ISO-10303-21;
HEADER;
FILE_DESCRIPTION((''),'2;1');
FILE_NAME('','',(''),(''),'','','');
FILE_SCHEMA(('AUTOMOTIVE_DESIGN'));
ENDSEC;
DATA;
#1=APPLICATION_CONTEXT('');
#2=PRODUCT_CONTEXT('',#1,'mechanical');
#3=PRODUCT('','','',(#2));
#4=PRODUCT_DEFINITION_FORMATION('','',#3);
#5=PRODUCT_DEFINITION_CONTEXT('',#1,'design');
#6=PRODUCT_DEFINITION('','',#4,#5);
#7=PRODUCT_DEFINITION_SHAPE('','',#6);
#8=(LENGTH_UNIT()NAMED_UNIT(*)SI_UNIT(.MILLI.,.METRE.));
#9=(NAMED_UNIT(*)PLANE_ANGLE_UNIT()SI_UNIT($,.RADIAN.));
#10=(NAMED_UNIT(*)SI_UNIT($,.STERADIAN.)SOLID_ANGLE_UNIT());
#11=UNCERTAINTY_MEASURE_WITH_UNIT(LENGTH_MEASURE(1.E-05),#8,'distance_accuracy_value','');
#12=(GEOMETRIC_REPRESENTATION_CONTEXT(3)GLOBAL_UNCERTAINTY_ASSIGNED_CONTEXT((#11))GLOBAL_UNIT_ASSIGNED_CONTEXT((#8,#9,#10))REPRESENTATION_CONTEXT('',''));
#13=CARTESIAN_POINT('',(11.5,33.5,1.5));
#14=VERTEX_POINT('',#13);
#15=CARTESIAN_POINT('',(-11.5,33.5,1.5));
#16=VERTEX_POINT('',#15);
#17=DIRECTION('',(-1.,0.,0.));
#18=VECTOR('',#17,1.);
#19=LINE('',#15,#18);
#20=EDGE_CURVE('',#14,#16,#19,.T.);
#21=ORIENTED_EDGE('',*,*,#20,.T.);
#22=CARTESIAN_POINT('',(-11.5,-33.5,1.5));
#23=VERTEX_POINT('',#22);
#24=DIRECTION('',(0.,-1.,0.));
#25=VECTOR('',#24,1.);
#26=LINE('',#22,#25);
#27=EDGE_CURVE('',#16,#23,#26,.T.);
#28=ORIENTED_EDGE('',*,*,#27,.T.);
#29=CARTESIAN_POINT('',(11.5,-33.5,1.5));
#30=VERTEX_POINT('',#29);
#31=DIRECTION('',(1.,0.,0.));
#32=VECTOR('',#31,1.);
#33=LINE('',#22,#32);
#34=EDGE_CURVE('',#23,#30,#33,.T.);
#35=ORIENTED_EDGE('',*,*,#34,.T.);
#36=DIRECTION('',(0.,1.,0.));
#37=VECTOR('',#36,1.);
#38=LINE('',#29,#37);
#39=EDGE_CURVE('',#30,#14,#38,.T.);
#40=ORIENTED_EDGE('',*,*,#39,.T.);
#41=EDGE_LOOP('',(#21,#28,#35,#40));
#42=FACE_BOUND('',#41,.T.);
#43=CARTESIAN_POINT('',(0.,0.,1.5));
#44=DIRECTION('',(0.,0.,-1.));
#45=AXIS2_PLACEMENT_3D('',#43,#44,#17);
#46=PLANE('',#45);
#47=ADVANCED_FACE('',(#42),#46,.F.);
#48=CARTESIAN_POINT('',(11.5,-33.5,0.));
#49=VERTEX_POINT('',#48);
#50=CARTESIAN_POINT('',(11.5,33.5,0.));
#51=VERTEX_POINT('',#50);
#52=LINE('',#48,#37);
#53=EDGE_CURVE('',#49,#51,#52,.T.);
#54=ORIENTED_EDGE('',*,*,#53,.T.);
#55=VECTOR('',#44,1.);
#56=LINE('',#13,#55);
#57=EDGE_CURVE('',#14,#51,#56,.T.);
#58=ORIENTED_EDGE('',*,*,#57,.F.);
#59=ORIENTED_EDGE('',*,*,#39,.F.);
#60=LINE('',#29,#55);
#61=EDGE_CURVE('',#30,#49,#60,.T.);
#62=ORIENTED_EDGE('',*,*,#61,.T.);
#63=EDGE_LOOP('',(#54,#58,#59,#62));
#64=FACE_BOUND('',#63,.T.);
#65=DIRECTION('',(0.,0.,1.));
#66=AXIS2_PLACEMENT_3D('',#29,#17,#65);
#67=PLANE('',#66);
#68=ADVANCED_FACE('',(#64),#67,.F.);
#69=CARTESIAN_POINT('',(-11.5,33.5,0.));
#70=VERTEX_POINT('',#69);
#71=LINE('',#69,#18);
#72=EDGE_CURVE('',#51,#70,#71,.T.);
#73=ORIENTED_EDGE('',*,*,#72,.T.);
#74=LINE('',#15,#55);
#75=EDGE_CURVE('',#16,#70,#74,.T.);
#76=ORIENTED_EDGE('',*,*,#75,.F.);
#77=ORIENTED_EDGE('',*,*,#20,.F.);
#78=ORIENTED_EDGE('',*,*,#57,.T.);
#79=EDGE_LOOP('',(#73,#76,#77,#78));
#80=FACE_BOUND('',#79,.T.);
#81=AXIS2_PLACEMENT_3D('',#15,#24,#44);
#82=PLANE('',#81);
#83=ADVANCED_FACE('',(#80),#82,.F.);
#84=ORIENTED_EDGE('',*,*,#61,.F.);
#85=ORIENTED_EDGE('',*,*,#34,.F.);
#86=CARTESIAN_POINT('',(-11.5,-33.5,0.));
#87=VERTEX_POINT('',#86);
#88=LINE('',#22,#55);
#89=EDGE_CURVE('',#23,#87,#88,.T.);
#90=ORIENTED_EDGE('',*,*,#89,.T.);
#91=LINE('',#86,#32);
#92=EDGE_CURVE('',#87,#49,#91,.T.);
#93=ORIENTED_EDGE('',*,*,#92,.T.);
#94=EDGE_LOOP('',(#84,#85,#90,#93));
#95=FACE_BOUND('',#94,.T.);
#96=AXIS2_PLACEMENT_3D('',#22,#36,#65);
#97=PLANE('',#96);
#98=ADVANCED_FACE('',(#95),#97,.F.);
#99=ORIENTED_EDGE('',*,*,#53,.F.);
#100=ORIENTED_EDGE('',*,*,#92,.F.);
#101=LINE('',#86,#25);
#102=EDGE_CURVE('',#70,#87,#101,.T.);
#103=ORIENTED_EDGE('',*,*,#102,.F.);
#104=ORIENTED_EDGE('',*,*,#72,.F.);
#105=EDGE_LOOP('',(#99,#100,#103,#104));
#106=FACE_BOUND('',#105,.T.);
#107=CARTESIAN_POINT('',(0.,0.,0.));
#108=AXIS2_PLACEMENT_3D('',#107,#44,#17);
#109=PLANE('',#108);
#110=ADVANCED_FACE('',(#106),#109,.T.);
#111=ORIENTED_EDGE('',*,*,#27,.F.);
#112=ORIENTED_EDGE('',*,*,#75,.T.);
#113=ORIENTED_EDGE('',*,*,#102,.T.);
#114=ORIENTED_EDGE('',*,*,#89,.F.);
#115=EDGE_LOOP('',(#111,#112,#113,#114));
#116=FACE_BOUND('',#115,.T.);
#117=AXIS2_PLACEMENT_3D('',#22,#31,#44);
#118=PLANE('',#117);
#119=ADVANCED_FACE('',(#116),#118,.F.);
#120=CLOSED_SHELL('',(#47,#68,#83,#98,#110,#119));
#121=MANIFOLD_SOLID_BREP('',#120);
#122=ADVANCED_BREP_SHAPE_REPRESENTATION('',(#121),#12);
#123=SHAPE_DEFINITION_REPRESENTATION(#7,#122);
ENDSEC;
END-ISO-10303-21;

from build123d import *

# Parameters (mm, degrees)
ESBO_O1_W                = 23
ESBO_O1_H                = 67
RESSALTO_EXTRUS_O1_DEPTH = 1.5


with BuildPart() as part:
    # Esboço1 → Ressalto-extrusão1 (new body)
    with BuildSketch(Plane.XY):
        Rectangle(ESBO_O1_W, ESBO_O1_H)
    extrude(amount=RESSALTO_EXTRUS_O1_DEPTH)


solid = part.part
